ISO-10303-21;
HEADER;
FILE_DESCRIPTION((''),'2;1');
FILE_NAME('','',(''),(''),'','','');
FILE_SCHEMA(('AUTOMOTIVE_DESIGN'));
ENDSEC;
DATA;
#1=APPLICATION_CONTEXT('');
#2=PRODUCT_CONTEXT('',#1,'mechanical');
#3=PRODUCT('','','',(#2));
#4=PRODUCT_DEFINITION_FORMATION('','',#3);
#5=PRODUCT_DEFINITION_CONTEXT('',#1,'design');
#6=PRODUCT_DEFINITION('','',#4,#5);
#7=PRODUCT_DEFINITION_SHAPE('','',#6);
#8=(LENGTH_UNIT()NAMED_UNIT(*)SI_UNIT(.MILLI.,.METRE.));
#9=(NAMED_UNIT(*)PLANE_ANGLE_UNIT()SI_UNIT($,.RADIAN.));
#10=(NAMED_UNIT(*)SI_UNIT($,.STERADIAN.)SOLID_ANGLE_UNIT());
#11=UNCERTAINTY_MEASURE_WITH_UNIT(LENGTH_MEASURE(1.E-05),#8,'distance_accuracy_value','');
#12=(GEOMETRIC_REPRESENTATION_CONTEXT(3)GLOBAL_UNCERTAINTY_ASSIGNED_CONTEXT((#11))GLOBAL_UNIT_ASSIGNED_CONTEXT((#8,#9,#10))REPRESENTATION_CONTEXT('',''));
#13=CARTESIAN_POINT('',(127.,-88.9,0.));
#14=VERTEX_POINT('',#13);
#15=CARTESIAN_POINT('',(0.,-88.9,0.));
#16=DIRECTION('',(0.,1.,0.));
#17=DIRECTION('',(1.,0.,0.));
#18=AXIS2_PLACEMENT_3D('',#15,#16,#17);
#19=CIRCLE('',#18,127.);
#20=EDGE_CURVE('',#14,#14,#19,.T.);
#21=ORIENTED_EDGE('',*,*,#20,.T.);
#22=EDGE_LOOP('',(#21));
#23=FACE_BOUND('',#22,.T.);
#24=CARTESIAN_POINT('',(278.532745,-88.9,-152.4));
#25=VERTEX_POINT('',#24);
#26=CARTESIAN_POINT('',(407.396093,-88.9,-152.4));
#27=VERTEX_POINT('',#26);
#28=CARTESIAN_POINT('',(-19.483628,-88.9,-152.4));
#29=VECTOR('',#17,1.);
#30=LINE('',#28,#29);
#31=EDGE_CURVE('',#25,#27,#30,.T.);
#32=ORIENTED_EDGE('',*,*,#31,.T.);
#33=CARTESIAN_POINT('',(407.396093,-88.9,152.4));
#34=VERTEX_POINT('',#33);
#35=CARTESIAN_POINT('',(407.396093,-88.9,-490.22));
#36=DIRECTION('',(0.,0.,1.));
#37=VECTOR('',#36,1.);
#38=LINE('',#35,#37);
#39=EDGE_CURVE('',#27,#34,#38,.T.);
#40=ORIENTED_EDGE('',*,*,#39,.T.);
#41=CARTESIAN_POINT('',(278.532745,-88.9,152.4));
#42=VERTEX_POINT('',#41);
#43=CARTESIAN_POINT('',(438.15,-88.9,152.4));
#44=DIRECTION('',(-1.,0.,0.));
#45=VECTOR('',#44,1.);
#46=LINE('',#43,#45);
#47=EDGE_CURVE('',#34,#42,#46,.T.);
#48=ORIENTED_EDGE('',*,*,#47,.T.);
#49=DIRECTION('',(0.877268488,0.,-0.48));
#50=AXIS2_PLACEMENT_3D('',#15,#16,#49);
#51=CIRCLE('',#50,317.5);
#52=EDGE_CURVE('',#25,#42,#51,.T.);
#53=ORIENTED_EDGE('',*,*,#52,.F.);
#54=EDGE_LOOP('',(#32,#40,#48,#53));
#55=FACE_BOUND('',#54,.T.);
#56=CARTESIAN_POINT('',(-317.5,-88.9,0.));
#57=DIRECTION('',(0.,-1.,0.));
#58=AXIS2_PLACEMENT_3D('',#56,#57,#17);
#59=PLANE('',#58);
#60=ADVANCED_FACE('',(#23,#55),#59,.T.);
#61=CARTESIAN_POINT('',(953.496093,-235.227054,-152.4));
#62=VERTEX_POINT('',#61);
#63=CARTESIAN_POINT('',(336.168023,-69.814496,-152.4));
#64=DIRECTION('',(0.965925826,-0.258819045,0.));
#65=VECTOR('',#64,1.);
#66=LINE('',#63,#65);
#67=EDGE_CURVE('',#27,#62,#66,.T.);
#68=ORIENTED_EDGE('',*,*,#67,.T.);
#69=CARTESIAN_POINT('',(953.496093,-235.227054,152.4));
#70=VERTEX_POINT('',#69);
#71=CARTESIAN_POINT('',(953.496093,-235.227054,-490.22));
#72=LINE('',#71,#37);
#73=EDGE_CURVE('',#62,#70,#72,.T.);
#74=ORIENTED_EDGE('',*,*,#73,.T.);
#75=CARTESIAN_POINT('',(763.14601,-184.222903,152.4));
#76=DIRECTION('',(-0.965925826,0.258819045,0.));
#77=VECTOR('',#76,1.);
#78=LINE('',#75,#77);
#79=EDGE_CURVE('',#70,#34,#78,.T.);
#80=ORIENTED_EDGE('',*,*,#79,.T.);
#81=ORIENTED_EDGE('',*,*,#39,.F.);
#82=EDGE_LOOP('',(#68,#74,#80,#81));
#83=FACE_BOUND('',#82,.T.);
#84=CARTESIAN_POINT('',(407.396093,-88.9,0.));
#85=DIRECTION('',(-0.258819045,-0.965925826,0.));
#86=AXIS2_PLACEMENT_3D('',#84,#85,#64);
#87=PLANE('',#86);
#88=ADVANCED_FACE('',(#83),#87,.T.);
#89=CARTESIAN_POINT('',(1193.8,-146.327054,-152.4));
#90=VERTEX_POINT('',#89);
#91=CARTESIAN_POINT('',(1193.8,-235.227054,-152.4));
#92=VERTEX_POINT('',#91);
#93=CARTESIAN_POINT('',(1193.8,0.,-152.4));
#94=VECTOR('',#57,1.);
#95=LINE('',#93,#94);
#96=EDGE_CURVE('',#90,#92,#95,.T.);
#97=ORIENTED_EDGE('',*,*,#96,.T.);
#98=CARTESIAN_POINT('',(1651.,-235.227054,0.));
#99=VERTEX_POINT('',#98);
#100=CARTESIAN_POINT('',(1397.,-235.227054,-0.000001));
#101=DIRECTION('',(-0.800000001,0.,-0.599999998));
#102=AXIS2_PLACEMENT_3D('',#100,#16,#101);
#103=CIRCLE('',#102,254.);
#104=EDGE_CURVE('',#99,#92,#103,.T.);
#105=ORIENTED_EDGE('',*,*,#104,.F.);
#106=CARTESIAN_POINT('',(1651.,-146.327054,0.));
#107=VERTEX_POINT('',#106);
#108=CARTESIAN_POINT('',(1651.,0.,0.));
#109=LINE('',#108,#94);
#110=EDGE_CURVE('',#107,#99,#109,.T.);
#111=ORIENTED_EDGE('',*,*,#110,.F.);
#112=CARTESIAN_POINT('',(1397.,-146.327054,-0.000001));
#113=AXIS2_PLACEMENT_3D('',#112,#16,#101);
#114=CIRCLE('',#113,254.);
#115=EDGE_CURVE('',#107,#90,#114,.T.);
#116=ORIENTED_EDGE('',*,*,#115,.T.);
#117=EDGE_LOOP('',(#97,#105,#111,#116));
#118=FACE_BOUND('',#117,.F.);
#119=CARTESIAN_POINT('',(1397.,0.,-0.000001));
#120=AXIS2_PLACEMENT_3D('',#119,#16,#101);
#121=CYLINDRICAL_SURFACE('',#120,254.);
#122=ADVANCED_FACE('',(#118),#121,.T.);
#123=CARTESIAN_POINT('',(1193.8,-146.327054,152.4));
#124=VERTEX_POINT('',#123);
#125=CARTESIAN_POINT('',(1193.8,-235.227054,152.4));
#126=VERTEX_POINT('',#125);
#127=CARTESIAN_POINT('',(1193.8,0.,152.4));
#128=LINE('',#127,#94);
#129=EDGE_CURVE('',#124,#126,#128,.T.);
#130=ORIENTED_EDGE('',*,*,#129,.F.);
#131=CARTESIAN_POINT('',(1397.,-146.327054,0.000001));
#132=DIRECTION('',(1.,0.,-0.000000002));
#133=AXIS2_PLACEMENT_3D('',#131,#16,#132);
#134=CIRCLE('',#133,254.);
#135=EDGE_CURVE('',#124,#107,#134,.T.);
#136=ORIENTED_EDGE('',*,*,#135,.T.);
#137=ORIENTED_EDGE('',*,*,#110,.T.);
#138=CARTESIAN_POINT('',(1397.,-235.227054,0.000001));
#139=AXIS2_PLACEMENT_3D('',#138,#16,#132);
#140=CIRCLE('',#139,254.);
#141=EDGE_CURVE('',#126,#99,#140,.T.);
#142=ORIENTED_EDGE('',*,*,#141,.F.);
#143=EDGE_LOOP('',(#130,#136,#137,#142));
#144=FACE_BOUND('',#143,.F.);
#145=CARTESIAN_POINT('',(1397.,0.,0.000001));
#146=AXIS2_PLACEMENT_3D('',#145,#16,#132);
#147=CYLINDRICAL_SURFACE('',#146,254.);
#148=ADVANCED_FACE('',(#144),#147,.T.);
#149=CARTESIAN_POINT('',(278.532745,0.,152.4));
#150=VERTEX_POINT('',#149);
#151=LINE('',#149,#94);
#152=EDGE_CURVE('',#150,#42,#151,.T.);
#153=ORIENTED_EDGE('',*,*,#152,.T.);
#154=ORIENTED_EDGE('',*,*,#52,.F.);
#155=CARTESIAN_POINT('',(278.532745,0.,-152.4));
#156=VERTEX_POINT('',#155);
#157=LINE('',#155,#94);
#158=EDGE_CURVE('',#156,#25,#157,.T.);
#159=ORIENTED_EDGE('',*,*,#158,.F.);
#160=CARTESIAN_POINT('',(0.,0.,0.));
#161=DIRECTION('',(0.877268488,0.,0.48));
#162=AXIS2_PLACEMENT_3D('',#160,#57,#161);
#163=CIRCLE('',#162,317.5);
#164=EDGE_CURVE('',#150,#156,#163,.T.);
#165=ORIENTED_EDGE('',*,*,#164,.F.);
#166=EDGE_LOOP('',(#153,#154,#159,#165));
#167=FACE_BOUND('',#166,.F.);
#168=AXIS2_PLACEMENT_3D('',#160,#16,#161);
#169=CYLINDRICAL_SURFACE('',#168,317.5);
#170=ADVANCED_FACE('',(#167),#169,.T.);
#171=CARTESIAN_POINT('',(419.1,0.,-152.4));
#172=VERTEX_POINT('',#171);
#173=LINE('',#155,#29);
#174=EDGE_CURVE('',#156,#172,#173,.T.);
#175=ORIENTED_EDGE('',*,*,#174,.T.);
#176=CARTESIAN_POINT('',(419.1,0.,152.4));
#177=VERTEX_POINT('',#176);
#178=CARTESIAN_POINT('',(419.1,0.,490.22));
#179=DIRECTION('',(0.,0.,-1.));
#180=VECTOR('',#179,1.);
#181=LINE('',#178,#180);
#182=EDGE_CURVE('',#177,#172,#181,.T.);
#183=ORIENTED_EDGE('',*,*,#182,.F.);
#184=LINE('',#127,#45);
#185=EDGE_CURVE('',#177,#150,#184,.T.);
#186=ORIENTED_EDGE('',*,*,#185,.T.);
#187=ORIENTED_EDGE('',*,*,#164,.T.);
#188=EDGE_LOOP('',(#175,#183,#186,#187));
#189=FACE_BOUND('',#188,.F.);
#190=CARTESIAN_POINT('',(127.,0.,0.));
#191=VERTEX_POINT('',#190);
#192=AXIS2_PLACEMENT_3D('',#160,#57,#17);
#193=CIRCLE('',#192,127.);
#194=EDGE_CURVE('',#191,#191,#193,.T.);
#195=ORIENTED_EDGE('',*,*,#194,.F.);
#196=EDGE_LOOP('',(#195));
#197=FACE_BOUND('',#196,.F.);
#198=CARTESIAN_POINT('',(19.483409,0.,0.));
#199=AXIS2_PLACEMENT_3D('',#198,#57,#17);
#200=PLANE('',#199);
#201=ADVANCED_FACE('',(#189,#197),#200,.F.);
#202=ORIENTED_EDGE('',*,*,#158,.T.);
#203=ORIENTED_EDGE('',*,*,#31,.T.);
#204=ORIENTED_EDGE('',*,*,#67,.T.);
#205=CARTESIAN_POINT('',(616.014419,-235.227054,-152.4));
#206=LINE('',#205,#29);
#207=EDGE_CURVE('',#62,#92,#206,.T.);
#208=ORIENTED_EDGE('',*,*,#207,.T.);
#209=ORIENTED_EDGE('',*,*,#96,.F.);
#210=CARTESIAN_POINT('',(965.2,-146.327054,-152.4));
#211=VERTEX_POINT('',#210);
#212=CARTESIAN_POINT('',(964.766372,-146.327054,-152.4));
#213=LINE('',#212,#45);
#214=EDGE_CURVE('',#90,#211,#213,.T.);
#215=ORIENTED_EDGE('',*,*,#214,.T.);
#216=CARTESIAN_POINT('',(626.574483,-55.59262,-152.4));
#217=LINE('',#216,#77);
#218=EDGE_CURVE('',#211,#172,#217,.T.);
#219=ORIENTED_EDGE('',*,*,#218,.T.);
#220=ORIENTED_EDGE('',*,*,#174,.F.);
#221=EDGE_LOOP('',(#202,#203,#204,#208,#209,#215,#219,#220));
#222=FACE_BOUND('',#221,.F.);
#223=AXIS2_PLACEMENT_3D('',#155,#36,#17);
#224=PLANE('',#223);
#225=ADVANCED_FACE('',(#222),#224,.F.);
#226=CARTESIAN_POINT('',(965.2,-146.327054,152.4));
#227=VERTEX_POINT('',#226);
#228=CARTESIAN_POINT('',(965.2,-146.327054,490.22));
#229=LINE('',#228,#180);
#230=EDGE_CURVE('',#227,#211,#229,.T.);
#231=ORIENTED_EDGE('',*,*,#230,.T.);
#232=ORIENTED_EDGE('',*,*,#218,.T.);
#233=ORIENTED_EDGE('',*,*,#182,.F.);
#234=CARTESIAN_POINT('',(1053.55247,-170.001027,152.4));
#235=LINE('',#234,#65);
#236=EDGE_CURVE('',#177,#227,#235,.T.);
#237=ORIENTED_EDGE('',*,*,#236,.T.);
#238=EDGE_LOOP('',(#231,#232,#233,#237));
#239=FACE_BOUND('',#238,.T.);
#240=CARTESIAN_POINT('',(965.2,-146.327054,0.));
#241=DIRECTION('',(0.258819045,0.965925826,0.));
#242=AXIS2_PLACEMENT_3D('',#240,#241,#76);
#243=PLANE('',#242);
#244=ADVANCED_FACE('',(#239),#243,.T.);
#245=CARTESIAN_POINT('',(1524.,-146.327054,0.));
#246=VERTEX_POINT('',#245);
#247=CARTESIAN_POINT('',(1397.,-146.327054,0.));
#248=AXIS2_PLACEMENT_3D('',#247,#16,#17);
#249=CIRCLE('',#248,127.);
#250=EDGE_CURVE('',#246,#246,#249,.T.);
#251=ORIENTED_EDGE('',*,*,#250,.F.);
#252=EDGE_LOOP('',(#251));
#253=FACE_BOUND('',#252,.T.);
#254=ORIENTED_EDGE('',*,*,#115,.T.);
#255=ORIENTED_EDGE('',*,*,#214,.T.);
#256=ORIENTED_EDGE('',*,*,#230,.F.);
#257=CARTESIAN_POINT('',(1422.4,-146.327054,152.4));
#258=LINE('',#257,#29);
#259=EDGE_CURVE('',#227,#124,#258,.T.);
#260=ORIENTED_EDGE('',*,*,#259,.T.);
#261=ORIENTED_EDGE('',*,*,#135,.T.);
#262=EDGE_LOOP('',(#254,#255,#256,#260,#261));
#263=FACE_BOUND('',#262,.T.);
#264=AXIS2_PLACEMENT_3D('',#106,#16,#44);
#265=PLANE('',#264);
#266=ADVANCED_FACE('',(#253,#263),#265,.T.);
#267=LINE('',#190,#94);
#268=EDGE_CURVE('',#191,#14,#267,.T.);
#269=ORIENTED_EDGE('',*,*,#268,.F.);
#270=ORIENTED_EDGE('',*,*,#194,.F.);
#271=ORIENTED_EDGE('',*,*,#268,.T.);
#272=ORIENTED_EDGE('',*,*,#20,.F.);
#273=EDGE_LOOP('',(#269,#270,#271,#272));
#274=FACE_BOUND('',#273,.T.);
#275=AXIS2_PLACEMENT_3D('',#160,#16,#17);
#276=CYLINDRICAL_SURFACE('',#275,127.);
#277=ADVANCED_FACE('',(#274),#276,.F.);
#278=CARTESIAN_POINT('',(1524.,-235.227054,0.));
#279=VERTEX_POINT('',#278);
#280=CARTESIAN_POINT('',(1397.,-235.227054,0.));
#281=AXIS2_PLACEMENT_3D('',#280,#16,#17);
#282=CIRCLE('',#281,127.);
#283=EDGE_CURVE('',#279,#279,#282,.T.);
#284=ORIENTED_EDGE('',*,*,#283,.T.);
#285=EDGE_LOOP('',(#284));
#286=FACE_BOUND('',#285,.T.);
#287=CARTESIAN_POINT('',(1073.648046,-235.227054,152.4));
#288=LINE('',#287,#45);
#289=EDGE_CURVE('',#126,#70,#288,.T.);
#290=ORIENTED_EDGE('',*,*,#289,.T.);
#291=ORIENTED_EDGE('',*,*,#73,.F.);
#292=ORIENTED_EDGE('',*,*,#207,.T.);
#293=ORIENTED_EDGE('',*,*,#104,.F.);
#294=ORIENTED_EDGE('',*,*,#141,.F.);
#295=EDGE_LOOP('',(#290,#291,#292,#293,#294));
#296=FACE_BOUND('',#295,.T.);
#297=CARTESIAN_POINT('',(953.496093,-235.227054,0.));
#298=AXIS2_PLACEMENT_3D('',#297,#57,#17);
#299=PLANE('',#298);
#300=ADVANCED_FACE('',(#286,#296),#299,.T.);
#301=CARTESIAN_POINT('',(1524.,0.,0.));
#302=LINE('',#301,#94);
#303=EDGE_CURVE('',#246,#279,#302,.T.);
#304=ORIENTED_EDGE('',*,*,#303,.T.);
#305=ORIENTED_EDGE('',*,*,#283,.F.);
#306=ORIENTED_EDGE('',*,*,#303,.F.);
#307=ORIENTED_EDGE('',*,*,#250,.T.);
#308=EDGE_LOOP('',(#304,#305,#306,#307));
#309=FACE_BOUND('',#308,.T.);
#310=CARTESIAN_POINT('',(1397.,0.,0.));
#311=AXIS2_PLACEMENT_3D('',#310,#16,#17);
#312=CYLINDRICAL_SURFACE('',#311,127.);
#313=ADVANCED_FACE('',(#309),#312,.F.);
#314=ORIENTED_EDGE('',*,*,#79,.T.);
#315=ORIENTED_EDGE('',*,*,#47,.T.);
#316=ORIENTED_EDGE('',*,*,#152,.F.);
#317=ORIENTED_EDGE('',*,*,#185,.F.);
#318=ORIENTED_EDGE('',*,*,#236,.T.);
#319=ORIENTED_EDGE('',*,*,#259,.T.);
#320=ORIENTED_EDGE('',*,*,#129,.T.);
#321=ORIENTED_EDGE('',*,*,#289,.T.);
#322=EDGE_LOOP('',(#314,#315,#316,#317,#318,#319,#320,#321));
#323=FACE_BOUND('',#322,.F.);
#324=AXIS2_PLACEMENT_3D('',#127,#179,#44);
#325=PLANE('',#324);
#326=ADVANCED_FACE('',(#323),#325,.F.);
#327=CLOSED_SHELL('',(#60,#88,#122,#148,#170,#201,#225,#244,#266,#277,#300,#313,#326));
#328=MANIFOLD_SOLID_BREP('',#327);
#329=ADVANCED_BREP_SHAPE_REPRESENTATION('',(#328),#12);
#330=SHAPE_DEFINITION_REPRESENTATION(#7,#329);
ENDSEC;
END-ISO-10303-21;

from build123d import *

# Parameters (mm, degrees)
F0_R     = 127
F1_DEPTH = 660.4
F3_DEPTH = 490.22


with BuildPart() as f1:
    # F0 (on Front) → F1 (new body)
    with BuildSketch(Plane.XZ):
        with BuildLine():
            ThreePointArc((278.532745, -152.4), (307.603963, -78.651457), (317.5, 0))
            ThreePointArc((317.5, 0), (307.603963, 78.651457), (278.532745, 152.4))
            ThreePointArc((278.532745, 152.4), (-317.5, 0), (278.532745, -152.4))
        make_face()
        Circle(F0_R, mode=Mode.SUBTRACT)
        with BuildLine():
            ThreePointArc((278.532745, 152.4), (307.603963, 78.651457), (317.5, 0))
            ThreePointArc((317.5, 0), (307.603963, -78.651457), (278.532745, -152.4))
            Line((278.532745, -152.4), (1193.8, -152.4))
            ThreePointArc((1193.8, -152.4), (1143, 0), (1193.8, 152.4))
            Line((1193.8, 152.4), (278.532745, 152.4))
        make_face()
        with BuildLine():
            ThreePointArc((1651, 0), (1477.321853, 240.965558), (1193.8, 152.4))
            ThreePointArc((1193.8, 152.4), (1143, 0), (1193.8, -152.4))
            ThreePointArc((1193.8, -152.4), (1477.321853, -240.965558), (1651, 0))
        make_face()
        with Locations((1397, 0)):
            Circle(F0_R, mode=Mode.SUBTRACT)
    extrude(amount=F1_DEPTH)

    # F2 (on Top) → F3 (intersect, symmetric)
    with BuildSketch(Plane.XY):
        Polygon((-317.5, 0), (-317.5, -88.9), (407.396093, -88.9), (953.496093, -235.227054), (1651, -235.227054), (1651, -146.327054), (965.2, -146.327054), (419.1, 0), align=None)
    extrude(amount=F3_DEPTH, both=True, mode=Mode.INTERSECT)


solid = f1.part
